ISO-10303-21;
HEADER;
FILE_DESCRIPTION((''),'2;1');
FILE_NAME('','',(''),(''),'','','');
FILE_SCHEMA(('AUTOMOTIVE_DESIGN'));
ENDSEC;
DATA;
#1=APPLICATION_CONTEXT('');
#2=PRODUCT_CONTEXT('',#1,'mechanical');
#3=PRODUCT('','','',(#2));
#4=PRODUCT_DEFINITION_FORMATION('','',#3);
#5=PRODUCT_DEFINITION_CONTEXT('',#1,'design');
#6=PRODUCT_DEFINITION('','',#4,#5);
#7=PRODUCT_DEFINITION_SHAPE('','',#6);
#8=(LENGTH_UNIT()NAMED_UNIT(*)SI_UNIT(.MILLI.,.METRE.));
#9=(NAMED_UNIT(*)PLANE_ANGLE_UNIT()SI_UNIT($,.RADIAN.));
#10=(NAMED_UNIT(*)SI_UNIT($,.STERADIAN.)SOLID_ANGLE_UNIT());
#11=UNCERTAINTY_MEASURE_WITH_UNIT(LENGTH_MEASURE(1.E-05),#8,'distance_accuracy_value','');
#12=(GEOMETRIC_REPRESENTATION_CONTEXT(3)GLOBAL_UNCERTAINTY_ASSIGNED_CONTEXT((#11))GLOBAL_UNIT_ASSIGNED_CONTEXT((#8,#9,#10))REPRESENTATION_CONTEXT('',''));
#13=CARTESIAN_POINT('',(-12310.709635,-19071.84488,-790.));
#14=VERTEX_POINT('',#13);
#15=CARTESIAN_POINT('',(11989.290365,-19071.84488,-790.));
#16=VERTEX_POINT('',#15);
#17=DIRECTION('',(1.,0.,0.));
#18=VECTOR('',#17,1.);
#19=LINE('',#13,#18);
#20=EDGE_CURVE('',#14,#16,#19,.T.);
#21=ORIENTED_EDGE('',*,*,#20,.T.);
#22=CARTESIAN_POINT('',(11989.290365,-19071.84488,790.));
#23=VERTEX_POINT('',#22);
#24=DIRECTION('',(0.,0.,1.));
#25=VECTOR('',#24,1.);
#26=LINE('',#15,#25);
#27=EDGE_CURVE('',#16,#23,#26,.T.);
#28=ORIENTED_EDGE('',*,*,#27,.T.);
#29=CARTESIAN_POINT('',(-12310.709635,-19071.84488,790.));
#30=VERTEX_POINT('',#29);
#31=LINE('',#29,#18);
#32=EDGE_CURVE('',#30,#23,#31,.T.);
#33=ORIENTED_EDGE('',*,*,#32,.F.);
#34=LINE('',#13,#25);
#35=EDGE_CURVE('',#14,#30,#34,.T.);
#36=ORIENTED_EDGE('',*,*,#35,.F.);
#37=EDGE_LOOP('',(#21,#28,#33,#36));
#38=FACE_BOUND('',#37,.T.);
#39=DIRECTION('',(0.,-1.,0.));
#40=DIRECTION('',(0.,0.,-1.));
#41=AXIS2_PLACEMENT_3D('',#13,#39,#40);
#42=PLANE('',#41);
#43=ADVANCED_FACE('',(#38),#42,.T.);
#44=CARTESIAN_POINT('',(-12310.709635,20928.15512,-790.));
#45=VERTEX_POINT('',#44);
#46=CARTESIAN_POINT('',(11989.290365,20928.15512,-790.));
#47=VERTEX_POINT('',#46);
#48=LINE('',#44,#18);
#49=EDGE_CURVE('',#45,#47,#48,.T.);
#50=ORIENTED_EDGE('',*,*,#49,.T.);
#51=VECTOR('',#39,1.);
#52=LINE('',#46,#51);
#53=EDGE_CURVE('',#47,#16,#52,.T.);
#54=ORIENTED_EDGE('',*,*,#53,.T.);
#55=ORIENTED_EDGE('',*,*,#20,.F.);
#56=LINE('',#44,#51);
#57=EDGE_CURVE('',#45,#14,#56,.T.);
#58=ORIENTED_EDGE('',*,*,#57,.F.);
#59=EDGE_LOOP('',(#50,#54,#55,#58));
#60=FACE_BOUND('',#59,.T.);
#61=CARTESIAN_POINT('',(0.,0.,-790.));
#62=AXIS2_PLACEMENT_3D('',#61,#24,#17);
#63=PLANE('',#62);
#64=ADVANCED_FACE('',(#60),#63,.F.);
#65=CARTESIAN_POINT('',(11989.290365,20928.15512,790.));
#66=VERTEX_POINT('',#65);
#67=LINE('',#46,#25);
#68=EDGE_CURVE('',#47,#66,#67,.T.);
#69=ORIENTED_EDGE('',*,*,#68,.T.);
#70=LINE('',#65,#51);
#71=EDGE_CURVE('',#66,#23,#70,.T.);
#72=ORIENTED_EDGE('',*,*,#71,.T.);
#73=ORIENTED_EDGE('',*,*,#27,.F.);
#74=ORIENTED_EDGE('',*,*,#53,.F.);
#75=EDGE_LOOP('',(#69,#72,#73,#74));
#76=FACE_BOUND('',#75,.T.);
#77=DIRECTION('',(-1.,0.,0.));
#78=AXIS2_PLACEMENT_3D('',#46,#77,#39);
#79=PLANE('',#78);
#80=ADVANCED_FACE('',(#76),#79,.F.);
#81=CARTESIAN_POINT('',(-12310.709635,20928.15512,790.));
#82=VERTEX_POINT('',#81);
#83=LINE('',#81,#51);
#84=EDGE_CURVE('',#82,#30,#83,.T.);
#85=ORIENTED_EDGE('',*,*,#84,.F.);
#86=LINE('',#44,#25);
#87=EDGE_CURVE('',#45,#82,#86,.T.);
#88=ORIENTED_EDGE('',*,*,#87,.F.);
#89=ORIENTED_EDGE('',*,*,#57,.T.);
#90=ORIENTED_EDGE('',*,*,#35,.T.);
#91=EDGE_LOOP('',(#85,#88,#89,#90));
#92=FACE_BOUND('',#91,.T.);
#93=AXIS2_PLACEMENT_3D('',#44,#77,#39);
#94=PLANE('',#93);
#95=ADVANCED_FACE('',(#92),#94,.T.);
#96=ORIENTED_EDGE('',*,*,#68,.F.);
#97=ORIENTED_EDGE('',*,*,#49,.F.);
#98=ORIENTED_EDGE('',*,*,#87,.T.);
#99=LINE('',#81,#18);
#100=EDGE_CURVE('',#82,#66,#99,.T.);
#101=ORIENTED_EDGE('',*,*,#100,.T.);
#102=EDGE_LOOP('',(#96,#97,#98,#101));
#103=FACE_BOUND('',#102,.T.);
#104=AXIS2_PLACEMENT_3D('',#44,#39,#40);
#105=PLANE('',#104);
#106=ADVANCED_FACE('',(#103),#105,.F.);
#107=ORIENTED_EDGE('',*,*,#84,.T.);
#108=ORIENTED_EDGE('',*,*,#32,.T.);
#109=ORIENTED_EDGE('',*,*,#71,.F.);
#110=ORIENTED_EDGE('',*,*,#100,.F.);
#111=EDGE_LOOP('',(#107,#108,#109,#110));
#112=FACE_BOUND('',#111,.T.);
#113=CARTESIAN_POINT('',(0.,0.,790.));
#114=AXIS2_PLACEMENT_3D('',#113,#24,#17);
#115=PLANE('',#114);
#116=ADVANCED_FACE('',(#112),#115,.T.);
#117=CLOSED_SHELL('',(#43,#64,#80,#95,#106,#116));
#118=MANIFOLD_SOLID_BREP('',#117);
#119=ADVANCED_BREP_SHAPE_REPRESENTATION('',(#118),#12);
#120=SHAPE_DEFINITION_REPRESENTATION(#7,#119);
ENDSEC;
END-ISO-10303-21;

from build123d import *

# Parameters (mm, degrees)
EXTRUDE_1_DEPTH      = 790
EXTRUDE_1_DEPTH_BACK = 790
SKETCH_1_W           = 24300
SKETCH_1_H           = 40000


with BuildPart() as part:
    # Эскиз1 → Бобышка-Вытянуть1 (new, two sides: drawn at the far end of the back side and taken through both)
    with BuildSketch(Plane.XY.offset(-EXTRUDE_1_DEPTH_BACK)):
        with Locations((-160.709634714, 928.155119886)):
            Rectangle(SKETCH_1_W, SKETCH_1_H)
    extrude(amount=EXTRUDE_1_DEPTH + EXTRUDE_1_DEPTH_BACK)


solid = part.part
